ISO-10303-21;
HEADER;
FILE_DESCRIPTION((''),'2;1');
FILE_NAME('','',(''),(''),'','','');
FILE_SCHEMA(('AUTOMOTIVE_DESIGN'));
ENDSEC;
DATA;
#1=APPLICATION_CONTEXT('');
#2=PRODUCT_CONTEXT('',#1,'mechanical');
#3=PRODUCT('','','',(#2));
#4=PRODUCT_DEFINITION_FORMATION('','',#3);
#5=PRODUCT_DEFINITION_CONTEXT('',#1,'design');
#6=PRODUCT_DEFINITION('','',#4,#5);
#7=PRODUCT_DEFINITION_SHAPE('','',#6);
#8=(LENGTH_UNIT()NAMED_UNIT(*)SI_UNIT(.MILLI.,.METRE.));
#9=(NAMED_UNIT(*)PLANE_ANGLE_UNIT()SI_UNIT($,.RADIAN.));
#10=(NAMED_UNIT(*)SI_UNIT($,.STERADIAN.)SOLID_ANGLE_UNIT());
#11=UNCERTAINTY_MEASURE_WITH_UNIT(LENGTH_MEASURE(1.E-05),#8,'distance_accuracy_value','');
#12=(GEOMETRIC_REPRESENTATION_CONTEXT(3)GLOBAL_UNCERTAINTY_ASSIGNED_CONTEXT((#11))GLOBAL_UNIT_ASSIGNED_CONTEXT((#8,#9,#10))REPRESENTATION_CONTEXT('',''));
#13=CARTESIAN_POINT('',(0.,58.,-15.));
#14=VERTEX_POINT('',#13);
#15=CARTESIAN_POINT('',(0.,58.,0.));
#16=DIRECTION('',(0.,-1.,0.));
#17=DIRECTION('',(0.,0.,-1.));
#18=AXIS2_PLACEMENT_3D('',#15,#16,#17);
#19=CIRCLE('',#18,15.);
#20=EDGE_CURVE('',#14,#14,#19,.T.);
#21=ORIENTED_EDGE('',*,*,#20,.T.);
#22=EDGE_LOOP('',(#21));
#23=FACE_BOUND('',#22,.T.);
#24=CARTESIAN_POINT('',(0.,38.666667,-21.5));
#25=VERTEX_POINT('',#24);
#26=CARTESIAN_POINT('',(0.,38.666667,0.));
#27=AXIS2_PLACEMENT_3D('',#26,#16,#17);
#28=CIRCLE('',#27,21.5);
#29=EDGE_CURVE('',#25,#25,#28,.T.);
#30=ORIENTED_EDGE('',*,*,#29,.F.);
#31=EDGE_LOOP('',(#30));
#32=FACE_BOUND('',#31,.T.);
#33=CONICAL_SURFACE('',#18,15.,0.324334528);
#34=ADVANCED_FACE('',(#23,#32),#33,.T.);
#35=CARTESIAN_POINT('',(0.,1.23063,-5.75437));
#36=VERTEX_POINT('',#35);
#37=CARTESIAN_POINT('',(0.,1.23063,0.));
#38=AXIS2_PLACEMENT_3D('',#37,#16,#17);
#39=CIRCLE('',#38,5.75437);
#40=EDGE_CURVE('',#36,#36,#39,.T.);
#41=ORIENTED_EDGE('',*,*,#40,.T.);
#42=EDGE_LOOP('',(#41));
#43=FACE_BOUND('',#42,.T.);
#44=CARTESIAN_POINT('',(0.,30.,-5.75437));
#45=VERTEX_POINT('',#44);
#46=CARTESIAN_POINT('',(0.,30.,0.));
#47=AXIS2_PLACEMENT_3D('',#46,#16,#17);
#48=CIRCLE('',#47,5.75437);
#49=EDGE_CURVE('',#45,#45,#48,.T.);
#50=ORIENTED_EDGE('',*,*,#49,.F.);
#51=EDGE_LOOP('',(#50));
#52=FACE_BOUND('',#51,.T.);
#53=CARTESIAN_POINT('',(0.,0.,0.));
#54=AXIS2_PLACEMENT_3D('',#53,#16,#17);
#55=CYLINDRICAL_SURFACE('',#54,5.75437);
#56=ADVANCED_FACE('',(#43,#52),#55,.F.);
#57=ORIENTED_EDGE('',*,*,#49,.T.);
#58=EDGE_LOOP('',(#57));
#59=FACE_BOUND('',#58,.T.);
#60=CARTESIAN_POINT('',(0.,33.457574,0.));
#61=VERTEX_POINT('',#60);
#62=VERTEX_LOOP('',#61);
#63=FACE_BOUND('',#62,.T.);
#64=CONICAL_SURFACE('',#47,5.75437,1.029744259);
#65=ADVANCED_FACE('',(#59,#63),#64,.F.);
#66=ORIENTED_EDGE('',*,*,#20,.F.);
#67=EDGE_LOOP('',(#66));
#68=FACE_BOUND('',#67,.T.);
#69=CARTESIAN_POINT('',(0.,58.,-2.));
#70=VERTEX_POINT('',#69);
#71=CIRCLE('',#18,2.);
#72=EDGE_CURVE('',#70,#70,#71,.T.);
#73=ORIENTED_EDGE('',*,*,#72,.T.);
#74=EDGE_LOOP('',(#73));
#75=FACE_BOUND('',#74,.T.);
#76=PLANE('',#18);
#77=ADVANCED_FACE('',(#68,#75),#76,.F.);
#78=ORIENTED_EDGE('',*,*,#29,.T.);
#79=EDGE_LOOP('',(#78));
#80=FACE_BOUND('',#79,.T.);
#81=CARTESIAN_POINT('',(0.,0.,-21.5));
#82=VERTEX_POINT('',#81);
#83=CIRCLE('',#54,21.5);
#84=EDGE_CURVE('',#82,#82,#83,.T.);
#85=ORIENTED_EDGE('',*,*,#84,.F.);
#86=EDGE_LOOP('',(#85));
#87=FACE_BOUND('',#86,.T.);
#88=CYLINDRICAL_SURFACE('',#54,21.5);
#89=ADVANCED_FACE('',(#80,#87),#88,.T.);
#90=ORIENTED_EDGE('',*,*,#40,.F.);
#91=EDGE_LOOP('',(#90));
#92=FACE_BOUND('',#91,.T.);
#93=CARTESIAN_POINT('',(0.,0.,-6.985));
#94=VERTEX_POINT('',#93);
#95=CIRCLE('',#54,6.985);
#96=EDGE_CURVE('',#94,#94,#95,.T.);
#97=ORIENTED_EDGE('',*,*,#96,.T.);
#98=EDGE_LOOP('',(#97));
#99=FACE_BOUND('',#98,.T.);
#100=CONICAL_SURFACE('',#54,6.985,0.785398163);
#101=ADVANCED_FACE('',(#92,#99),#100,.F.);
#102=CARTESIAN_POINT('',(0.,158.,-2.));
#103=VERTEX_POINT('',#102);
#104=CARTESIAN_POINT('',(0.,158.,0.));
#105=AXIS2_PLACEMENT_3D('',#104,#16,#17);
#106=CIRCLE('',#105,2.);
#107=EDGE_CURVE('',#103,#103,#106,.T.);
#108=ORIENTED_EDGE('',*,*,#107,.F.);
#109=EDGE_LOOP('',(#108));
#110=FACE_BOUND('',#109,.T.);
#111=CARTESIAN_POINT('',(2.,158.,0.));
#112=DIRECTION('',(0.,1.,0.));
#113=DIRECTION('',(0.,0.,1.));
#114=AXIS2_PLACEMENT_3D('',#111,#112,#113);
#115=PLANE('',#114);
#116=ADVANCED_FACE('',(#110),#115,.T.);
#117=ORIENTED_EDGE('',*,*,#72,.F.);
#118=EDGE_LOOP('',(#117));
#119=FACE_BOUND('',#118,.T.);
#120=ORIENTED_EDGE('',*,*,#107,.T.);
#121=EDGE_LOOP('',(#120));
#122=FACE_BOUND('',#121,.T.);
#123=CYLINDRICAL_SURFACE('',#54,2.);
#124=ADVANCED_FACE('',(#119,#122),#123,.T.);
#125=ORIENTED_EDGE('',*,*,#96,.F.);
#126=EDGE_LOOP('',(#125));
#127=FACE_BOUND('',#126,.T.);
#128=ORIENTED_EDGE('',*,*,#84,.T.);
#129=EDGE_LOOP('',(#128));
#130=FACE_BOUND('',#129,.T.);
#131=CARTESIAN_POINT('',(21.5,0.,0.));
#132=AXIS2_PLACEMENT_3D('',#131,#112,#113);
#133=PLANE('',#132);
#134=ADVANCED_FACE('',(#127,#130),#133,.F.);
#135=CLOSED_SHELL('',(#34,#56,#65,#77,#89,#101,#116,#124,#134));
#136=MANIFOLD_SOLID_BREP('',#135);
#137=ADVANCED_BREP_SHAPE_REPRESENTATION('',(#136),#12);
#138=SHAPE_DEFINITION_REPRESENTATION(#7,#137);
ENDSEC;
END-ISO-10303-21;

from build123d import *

# Parameters (mm, degrees)
SKETCH1_W                         = 2
SKETCH1_H                         = 100
F_1_2_20_TAPPED_HOLE1_D           = 11.50874
F_1_2_20_TAPPED_HOLE1_DEPTH       = 30
F_1_2_20_TAPPED_HOLE1_CSINK_D     = 13.97
F_1_2_20_TAPPED_HOLE1_CSINK_ANGLE = 90
F_1_2_20_TAPPED_HOLE1_TIP         = 3.45757432


with BuildPart() as part:
    # Sketch1 → Revolve1 (revolve)
    with BuildSketch(Plane.XY):
        Polygon((0, 58), (0, 0), (21.5, 0), (21.5, 38.666666667), (15, 58), (2, 58), align=None)
        with Locations((1, 108)):
            Rectangle(SKETCH1_W, SKETCH1_H)
    revolve(axis=Axis((0, 0, 0), (0, 1, 0)))

    # 1/2-20 Tapped Hole1
    with Locations(Plane(origin=(0, 0, 0), x_dir=(-1, 0, 0), z_dir=(0, -1, 0))):
        with Locations((0, 0)):
            CounterSinkHole(F_1_2_20_TAPPED_HOLE1_D / 2, F_1_2_20_TAPPED_HOLE1_CSINK_D / 2, depth=F_1_2_20_TAPPED_HOLE1_DEPTH, counter_sink_angle=F_1_2_20_TAPPED_HOLE1_CSINK_ANGLE)
            with Locations((0, 0, -(F_1_2_20_TAPPED_HOLE1_DEPTH + F_1_2_20_TAPPED_HOLE1_TIP / 2))):  # 118° drill point
                Cone(0, F_1_2_20_TAPPED_HOLE1_D / 2, F_1_2_20_TAPPED_HOLE1_TIP, mode=Mode.SUBTRACT)


solid = part.part
